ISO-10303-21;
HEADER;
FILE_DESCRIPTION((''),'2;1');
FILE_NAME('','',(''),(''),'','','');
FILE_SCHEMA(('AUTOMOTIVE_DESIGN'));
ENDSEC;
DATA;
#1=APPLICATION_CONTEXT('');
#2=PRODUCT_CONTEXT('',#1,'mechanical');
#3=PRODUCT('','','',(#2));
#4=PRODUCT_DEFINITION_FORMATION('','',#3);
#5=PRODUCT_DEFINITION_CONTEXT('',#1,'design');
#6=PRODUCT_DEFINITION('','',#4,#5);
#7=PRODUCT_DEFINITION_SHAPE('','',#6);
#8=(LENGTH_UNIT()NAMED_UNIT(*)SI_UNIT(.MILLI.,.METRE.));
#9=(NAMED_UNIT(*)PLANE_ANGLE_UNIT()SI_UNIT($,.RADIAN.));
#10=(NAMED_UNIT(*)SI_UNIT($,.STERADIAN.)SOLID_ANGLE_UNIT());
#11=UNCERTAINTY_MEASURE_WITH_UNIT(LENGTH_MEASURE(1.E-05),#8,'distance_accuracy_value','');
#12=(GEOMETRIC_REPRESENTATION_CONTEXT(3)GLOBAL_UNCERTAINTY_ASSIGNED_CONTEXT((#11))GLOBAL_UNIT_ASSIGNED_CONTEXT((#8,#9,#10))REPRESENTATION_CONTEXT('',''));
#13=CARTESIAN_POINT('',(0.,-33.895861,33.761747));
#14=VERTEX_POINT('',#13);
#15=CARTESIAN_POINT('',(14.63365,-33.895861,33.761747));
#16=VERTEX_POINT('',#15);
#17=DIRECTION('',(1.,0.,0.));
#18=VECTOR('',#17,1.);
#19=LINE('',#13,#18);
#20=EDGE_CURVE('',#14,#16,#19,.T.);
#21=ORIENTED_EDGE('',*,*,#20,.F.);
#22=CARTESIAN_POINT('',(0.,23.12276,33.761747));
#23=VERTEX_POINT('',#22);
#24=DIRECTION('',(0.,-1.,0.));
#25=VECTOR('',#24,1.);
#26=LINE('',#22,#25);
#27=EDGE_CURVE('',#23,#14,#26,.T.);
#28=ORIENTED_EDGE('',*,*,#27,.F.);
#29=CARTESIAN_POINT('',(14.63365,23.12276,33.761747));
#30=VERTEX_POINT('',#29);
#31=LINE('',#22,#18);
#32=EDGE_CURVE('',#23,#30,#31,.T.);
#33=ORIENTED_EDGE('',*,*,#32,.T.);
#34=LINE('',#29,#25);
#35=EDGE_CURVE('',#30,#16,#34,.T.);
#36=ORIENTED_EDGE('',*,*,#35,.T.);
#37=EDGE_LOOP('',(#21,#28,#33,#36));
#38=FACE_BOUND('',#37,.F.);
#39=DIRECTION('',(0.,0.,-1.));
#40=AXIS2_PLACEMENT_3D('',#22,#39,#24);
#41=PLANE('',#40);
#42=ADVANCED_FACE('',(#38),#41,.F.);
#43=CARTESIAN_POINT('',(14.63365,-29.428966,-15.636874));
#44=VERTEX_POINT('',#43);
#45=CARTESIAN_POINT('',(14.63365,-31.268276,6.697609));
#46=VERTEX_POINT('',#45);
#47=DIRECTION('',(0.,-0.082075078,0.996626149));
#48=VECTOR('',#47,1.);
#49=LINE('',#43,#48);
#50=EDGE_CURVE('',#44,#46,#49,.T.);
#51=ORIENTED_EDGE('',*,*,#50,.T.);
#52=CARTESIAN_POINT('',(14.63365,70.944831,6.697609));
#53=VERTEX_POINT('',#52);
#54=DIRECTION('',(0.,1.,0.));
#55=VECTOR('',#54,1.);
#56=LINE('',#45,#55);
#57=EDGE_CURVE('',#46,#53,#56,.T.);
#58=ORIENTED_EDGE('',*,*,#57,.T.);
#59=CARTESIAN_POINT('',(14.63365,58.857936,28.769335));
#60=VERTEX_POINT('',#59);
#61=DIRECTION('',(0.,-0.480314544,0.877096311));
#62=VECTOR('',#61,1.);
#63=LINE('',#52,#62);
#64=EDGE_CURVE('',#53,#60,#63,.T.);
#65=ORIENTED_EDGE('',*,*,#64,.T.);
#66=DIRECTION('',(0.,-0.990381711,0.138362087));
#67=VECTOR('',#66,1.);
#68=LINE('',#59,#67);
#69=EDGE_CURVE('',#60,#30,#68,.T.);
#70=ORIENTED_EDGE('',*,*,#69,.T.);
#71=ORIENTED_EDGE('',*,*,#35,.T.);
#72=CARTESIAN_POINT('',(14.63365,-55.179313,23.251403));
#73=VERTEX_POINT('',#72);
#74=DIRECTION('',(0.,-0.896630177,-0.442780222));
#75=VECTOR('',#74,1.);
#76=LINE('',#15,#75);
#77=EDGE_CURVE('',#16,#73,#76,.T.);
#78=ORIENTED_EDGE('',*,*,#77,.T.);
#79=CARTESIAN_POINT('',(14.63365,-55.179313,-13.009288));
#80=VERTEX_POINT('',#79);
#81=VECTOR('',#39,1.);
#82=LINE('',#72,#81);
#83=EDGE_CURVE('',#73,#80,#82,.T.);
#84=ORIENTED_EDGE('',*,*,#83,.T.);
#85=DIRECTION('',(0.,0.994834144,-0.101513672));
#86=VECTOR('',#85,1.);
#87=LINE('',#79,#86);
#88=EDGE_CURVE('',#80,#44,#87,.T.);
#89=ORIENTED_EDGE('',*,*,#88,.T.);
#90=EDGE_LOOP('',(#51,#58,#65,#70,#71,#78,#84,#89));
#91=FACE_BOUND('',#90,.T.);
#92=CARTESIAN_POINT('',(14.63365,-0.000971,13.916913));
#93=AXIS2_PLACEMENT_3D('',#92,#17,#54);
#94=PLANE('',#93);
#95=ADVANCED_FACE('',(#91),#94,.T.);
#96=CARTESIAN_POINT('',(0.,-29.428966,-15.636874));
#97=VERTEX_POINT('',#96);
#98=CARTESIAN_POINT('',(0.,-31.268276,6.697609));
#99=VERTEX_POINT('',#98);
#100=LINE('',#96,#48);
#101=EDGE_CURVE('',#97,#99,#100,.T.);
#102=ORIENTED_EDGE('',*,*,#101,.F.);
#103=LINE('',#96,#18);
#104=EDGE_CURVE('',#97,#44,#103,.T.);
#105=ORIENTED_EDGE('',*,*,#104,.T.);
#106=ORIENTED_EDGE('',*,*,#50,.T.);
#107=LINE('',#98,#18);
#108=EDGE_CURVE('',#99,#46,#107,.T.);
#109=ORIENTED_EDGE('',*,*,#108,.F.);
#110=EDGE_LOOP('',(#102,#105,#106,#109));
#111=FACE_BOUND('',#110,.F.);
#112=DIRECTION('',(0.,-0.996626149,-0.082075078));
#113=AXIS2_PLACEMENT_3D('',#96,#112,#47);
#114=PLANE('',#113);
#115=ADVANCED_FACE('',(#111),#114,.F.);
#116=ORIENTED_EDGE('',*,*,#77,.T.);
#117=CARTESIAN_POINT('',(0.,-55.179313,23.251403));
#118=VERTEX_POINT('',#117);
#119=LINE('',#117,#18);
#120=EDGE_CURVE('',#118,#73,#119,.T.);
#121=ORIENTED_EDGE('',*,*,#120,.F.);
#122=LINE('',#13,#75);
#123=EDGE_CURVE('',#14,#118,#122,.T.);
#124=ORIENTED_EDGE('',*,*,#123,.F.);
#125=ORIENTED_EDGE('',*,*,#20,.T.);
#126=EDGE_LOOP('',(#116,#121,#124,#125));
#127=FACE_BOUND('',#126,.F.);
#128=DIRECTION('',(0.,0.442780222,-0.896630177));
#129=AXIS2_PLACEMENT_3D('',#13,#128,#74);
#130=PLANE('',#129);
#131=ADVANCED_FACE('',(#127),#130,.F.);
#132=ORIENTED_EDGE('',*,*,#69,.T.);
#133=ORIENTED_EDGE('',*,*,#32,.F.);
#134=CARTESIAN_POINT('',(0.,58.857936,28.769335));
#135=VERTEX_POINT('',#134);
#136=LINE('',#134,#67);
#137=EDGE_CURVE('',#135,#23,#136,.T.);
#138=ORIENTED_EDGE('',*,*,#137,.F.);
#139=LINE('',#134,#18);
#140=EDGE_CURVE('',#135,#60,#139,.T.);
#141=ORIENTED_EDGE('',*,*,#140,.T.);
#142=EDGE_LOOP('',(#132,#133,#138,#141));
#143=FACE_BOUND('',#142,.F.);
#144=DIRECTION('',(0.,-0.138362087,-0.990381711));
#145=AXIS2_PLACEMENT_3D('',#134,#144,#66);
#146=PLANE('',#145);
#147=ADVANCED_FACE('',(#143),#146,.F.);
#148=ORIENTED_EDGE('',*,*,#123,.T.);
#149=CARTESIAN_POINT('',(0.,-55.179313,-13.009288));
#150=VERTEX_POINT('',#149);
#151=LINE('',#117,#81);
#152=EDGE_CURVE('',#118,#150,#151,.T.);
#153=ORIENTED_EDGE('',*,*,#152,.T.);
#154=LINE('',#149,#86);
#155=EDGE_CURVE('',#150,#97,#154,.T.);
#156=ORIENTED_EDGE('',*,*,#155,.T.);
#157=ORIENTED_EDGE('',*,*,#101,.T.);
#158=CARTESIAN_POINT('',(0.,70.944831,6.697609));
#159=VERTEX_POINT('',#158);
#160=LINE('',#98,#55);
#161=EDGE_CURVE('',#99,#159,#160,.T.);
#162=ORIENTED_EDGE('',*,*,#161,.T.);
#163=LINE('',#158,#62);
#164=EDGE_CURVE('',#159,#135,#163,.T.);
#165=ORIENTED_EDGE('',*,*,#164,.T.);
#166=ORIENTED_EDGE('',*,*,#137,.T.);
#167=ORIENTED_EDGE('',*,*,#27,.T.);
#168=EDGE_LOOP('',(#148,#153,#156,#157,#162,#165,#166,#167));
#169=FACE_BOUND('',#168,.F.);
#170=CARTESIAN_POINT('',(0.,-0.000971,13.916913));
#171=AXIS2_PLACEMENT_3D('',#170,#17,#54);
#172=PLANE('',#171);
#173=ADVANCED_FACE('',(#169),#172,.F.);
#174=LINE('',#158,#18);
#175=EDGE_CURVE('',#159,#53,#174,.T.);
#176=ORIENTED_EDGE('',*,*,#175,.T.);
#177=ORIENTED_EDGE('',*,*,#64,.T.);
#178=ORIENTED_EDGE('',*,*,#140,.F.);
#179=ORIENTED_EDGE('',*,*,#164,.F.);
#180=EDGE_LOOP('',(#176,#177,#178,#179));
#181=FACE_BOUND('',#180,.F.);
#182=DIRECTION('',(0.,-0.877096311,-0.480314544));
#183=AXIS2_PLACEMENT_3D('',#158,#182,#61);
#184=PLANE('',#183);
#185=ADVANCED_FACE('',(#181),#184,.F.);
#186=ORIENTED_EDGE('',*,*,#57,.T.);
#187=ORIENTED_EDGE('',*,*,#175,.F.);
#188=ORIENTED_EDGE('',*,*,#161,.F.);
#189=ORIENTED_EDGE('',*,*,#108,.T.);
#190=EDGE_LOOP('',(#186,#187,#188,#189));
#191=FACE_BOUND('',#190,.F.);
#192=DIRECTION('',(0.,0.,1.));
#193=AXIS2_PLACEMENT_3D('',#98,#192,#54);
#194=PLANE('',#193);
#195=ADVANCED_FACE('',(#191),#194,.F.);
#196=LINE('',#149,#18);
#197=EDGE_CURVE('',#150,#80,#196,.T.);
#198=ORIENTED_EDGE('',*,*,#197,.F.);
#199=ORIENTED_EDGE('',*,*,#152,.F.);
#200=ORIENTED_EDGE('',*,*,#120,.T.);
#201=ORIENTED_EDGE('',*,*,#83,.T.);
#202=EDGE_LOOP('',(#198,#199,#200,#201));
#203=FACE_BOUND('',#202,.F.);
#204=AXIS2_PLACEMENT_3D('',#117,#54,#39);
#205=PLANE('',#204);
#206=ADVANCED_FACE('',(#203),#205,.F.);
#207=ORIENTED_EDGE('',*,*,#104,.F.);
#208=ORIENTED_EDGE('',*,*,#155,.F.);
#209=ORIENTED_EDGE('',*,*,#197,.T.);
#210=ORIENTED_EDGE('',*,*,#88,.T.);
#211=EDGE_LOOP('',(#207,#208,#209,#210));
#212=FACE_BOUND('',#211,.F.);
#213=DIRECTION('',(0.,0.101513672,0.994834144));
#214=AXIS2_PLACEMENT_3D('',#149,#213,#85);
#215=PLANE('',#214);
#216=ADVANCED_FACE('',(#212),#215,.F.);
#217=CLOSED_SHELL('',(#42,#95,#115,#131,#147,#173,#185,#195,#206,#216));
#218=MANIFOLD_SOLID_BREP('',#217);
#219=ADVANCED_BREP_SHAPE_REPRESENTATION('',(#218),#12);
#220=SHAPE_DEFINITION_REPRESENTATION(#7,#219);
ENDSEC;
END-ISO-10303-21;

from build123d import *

# Parameters (mm, degrees)
F1_DEPTH = 14.63365


with BuildPart() as f1:
    # F0 (on Right) → F1 (new body)
    with BuildSketch(Plane.YZ):
        Polygon((-55.179313, 23.251403), (-55.179313, -13.009288), (-29.428966, -15.636874), (-31.268276, 6.697609), (0, 6.697609), (70.944831, 6.697609), (58.857936, 28.769335), (23.12276, 33.761747), (-33.895861, 33.761747), align=None)
    extrude(amount=F1_DEPTH)


solid = f1.part
